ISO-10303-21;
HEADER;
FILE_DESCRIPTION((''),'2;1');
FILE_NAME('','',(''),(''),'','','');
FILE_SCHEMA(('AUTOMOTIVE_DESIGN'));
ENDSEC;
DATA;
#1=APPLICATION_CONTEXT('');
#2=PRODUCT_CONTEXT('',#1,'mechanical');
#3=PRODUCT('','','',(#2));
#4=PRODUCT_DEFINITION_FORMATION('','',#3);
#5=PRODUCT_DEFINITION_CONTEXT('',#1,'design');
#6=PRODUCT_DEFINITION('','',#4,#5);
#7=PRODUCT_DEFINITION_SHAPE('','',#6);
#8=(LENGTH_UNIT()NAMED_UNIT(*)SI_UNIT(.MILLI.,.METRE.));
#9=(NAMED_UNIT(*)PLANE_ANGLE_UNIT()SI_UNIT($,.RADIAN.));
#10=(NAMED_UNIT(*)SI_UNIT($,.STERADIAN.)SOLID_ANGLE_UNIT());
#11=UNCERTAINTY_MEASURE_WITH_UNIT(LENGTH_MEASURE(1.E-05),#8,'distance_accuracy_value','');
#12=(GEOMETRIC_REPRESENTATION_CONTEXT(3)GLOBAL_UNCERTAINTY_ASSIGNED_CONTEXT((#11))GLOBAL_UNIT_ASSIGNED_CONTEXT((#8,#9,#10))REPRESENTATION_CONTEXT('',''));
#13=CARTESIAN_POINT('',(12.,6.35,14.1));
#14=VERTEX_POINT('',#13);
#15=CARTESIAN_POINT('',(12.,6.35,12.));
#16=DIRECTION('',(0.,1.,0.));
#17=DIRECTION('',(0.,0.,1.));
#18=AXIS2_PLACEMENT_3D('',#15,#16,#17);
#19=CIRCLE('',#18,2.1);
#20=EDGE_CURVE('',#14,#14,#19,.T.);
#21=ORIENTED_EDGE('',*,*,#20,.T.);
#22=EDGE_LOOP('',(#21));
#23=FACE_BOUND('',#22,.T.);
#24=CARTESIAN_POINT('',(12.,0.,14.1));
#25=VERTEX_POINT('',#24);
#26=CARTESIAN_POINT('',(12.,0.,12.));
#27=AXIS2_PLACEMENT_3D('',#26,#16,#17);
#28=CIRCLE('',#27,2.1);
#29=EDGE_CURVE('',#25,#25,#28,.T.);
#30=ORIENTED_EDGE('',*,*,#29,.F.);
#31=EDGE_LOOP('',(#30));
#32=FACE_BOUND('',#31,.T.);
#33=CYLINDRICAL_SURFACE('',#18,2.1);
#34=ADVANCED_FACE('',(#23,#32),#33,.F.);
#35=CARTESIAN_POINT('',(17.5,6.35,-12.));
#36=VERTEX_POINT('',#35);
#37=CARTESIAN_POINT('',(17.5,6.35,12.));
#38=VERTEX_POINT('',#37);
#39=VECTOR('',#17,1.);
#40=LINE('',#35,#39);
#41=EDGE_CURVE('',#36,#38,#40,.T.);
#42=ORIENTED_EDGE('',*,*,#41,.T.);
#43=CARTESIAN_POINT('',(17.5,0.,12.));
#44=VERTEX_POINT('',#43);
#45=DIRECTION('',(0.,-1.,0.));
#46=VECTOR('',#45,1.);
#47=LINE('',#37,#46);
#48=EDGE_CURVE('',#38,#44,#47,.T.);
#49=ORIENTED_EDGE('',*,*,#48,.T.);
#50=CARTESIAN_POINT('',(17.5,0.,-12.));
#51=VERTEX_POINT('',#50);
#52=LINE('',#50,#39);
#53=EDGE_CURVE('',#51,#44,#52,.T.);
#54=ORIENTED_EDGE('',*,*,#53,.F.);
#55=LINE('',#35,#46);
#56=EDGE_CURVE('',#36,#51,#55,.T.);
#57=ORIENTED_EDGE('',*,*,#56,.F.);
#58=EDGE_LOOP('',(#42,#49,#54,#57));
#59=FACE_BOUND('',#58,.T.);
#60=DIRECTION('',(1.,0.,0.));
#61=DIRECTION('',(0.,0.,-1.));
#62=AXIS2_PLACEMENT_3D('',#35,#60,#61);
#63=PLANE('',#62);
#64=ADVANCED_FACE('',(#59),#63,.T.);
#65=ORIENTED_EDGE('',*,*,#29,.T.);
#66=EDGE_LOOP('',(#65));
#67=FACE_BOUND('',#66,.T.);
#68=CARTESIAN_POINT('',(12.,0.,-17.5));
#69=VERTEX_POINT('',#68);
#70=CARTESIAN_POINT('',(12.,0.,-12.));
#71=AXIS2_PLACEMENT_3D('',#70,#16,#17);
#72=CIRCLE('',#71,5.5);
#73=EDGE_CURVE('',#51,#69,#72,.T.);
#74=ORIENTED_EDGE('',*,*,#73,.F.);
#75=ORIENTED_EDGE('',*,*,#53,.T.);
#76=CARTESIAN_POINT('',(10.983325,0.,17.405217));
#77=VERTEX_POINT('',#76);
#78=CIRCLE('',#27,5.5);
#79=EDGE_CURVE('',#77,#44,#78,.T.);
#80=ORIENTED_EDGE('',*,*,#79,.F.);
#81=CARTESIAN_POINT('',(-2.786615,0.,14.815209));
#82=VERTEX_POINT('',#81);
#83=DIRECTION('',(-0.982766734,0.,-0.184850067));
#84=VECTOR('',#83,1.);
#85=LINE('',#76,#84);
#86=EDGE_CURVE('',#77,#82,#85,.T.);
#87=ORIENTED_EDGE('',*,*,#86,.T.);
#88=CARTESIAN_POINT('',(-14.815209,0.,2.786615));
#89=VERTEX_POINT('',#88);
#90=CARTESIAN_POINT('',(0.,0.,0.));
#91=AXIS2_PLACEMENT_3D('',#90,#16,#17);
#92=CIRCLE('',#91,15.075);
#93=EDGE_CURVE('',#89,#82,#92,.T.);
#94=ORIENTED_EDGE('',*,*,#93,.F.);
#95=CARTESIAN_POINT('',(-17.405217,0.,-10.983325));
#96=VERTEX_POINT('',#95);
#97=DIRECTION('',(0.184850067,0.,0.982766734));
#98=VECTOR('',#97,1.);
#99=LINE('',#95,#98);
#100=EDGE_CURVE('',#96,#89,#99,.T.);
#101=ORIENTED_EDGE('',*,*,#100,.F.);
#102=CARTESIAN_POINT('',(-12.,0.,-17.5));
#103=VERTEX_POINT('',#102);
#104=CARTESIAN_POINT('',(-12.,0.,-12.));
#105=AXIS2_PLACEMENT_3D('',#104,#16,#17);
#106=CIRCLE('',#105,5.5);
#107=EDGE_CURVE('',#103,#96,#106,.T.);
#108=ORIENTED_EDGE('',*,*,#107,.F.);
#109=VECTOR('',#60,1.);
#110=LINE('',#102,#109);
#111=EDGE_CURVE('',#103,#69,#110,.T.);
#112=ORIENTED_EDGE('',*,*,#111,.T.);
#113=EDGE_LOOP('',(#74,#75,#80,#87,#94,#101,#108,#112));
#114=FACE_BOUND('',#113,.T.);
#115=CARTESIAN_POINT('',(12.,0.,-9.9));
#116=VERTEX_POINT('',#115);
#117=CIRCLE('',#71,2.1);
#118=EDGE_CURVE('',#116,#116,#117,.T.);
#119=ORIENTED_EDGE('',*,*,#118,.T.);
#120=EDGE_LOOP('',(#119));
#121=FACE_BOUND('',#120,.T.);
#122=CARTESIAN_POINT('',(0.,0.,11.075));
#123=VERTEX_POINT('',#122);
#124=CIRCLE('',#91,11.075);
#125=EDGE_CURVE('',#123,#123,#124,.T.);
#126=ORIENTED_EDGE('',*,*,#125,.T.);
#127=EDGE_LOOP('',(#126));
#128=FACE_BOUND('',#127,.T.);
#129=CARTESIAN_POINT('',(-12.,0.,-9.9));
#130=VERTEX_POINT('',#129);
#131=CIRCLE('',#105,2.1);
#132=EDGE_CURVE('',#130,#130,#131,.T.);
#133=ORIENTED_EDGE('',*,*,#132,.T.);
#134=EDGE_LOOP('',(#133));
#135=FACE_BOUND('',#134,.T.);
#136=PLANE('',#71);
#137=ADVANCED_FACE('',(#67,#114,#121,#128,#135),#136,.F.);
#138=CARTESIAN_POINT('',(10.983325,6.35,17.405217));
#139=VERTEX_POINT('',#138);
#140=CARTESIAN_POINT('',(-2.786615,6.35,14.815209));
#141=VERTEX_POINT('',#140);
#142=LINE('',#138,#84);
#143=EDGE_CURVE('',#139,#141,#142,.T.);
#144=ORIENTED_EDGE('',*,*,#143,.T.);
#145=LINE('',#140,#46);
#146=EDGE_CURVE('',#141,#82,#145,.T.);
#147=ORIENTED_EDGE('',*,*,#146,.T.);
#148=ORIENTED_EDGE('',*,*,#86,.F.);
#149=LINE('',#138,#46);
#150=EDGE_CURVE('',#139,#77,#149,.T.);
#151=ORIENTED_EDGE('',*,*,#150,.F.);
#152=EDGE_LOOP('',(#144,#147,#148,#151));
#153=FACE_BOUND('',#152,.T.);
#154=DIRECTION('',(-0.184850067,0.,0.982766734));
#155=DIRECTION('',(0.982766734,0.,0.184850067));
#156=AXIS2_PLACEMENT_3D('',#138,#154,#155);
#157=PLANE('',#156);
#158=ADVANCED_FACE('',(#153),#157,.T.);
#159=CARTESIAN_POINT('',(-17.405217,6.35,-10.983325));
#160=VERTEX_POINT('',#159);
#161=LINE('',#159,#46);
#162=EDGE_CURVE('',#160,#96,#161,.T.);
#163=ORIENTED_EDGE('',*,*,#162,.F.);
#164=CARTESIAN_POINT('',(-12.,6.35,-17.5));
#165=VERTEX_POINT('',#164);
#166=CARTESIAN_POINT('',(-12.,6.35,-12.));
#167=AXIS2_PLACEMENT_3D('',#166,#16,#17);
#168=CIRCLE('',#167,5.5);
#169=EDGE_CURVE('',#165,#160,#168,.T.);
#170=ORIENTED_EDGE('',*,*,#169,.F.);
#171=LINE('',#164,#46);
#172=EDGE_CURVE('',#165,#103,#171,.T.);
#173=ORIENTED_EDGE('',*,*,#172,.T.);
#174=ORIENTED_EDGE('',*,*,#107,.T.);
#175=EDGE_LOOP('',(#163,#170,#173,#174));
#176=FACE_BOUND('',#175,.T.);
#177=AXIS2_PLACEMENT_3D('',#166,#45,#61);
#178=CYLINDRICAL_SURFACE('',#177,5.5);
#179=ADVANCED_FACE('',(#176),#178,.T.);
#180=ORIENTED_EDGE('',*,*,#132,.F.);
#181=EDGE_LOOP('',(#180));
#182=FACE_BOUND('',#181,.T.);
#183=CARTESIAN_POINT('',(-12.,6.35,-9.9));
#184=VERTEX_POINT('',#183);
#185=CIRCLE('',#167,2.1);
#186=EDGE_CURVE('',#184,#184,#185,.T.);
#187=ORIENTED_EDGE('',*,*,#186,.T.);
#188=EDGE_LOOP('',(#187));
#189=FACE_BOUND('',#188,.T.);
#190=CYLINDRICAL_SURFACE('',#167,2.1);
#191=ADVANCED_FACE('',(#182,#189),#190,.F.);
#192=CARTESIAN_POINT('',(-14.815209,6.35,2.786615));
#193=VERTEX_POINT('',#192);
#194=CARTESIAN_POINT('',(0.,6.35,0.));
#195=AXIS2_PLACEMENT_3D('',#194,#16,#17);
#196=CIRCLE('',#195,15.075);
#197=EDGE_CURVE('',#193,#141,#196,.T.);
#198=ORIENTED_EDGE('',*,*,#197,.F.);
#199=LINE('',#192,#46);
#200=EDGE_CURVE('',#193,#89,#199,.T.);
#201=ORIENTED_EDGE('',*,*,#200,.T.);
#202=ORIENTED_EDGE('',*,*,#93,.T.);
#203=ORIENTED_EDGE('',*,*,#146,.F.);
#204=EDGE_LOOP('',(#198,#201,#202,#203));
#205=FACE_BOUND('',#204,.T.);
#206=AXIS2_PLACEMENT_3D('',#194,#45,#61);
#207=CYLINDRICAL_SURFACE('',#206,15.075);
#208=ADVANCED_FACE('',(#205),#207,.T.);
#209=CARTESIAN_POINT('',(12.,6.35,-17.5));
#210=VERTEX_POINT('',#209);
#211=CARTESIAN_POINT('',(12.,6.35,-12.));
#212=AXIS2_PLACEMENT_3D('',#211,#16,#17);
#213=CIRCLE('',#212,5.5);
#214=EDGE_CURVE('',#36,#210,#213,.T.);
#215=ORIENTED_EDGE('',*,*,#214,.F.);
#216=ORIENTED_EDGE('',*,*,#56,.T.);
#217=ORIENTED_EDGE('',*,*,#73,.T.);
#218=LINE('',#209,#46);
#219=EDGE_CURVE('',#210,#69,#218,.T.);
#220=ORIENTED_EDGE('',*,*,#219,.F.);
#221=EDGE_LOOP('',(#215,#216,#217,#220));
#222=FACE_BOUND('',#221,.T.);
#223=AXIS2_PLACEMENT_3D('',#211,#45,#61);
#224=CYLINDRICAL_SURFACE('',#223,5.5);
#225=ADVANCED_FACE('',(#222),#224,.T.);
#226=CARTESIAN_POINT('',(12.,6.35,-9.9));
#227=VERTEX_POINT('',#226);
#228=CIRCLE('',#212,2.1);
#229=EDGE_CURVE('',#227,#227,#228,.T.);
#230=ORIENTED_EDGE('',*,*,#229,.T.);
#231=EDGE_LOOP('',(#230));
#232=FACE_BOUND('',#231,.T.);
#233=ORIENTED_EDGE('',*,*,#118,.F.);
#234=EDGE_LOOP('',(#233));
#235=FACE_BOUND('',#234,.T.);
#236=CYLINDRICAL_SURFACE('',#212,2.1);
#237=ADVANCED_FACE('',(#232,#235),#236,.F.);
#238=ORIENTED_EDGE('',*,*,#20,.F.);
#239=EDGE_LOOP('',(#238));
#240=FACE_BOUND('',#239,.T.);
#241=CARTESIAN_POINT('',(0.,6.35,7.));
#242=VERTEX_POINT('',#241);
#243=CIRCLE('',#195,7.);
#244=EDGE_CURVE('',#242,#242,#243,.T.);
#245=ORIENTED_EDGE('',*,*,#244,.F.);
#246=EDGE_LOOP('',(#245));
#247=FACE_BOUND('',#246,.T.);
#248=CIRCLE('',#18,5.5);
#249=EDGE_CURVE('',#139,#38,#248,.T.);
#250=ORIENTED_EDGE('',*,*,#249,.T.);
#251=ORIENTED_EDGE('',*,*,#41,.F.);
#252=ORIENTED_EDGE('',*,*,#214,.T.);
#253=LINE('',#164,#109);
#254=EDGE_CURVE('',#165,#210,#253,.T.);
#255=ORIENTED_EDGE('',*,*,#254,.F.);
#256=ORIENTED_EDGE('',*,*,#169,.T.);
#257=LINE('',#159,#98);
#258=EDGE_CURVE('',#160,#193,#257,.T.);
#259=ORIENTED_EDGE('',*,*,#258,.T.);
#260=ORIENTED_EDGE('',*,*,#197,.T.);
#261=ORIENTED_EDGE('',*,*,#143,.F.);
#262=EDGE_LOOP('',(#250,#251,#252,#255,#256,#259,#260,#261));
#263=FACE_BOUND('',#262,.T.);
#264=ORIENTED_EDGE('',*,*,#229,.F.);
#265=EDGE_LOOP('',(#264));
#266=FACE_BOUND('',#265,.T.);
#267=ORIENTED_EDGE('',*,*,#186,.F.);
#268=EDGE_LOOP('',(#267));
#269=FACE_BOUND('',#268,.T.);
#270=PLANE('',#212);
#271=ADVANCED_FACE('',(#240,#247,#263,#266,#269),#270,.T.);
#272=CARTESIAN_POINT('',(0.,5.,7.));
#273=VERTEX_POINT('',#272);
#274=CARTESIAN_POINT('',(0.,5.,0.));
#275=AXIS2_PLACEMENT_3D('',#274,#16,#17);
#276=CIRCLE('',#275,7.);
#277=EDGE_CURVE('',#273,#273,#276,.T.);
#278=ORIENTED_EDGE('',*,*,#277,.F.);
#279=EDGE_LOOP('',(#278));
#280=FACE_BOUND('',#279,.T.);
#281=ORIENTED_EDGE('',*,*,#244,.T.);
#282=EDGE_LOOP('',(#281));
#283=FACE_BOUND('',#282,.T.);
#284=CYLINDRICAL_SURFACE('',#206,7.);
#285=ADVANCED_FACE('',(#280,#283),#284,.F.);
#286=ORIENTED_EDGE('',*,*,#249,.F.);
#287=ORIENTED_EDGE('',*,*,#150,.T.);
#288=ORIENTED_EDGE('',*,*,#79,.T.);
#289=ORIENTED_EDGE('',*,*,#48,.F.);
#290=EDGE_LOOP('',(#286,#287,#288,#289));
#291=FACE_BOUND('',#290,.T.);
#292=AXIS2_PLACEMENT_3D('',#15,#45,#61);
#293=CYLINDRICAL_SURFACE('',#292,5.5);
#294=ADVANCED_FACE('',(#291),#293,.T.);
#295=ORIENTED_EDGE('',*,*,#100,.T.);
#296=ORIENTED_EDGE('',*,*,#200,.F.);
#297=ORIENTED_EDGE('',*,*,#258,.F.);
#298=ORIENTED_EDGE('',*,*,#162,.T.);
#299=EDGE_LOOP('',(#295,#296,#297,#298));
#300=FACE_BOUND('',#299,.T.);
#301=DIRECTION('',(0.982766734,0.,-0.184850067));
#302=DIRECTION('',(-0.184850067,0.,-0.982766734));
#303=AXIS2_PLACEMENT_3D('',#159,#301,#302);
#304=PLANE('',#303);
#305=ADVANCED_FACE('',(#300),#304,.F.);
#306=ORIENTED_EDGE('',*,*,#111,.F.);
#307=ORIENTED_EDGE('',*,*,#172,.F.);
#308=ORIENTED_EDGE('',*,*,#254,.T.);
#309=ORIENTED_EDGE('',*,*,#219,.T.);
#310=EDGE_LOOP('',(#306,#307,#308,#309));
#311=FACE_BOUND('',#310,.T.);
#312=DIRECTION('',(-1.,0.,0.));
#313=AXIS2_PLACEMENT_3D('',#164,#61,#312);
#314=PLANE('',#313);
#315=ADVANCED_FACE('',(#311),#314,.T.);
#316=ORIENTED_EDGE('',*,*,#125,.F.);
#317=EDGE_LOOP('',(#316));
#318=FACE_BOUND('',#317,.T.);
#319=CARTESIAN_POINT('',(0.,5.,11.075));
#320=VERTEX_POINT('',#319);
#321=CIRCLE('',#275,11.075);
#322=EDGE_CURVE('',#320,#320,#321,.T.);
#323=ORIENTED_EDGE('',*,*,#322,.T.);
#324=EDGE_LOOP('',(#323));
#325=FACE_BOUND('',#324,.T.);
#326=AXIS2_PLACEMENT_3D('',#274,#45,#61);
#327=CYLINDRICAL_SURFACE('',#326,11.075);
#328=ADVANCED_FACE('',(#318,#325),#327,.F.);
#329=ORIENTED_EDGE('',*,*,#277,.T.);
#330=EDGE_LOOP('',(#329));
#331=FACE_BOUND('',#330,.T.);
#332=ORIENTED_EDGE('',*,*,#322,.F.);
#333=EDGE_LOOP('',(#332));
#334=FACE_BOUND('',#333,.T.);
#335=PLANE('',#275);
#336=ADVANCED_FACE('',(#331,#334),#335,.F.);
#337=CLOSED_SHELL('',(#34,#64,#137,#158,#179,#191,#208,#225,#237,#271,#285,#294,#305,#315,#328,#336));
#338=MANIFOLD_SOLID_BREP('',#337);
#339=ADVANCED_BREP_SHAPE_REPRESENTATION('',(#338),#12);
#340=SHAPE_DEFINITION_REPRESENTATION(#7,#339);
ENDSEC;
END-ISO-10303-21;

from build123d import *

# Parameters (mm, degrees)
SKETCH1_R             = 7
BOSS_EXTRUDE1_DEPTH   = 6.35
SKETCH1_3_R           = 11.075
CUT_EXTRUDE1_DEPTH    = 5
M5X0_8_TAPPED_HOLE1_D = 4.2


with BuildPart() as part:
    # Sketch1 → Boss-Extrude1 (new body)
    with BuildSketch(Plane(origin=(0, 0, 0), x_dir=(1, 0, 0), z_dir=(0, 1, 0))):
        with BuildLine():
            Line((-12, 17.5), (12, 17.5))
            ThreePointArc((12, 17.5), (15.889087297, 15.889087297), (17.5, 12))
            Line((17.5, 12), (17.5, -12))
            ThreePointArc((17.5, -12), (15.511287903, -16.233303351), (10.983324632, -17.405217035))
            Line((10.983324632, -17.405217035), (-2.78661476, -14.81520851))
            ThreePointArc((-2.78661476, -14.81520851), (-10.659634726, -10.659634726), (-14.81520851, -2.78661476))
            Line((-14.81520851, -2.78661476), (-17.405217035, 10.983324632))
            ThreePointArc((-17.405217035, 10.983324632), (-16.233303351, 15.511287903), (-12, 17.5))
        make_face()
        Circle(SKETCH1_R, mode=Mode.SUBTRACT)
    extrude(amount=BOSS_EXTRUDE1_DEPTH)

    # Sketch1<3> → Cut-Extrude1 (cut)
    with BuildSketch(Plane(origin=(0, 0, 0), x_dir=(1, 0, 0), z_dir=(0, 1, 0))):
        Circle(SKETCH1_3_R)
    extrude(amount=CUT_EXTRUDE1_DEPTH, mode=Mode.SUBTRACT)

    # M5x0.8 Tapped Hole1 (through all)
    with Locations(Plane(origin=(12, 6.35, -12), x_dir=(0, 0, 1), z_dir=(0, 1, 0))):
        with Locations((0, 0), (24, 0), (0, -24)):
            Hole(M5X0_8_TAPPED_HOLE1_D / 2)


solid = part.part
